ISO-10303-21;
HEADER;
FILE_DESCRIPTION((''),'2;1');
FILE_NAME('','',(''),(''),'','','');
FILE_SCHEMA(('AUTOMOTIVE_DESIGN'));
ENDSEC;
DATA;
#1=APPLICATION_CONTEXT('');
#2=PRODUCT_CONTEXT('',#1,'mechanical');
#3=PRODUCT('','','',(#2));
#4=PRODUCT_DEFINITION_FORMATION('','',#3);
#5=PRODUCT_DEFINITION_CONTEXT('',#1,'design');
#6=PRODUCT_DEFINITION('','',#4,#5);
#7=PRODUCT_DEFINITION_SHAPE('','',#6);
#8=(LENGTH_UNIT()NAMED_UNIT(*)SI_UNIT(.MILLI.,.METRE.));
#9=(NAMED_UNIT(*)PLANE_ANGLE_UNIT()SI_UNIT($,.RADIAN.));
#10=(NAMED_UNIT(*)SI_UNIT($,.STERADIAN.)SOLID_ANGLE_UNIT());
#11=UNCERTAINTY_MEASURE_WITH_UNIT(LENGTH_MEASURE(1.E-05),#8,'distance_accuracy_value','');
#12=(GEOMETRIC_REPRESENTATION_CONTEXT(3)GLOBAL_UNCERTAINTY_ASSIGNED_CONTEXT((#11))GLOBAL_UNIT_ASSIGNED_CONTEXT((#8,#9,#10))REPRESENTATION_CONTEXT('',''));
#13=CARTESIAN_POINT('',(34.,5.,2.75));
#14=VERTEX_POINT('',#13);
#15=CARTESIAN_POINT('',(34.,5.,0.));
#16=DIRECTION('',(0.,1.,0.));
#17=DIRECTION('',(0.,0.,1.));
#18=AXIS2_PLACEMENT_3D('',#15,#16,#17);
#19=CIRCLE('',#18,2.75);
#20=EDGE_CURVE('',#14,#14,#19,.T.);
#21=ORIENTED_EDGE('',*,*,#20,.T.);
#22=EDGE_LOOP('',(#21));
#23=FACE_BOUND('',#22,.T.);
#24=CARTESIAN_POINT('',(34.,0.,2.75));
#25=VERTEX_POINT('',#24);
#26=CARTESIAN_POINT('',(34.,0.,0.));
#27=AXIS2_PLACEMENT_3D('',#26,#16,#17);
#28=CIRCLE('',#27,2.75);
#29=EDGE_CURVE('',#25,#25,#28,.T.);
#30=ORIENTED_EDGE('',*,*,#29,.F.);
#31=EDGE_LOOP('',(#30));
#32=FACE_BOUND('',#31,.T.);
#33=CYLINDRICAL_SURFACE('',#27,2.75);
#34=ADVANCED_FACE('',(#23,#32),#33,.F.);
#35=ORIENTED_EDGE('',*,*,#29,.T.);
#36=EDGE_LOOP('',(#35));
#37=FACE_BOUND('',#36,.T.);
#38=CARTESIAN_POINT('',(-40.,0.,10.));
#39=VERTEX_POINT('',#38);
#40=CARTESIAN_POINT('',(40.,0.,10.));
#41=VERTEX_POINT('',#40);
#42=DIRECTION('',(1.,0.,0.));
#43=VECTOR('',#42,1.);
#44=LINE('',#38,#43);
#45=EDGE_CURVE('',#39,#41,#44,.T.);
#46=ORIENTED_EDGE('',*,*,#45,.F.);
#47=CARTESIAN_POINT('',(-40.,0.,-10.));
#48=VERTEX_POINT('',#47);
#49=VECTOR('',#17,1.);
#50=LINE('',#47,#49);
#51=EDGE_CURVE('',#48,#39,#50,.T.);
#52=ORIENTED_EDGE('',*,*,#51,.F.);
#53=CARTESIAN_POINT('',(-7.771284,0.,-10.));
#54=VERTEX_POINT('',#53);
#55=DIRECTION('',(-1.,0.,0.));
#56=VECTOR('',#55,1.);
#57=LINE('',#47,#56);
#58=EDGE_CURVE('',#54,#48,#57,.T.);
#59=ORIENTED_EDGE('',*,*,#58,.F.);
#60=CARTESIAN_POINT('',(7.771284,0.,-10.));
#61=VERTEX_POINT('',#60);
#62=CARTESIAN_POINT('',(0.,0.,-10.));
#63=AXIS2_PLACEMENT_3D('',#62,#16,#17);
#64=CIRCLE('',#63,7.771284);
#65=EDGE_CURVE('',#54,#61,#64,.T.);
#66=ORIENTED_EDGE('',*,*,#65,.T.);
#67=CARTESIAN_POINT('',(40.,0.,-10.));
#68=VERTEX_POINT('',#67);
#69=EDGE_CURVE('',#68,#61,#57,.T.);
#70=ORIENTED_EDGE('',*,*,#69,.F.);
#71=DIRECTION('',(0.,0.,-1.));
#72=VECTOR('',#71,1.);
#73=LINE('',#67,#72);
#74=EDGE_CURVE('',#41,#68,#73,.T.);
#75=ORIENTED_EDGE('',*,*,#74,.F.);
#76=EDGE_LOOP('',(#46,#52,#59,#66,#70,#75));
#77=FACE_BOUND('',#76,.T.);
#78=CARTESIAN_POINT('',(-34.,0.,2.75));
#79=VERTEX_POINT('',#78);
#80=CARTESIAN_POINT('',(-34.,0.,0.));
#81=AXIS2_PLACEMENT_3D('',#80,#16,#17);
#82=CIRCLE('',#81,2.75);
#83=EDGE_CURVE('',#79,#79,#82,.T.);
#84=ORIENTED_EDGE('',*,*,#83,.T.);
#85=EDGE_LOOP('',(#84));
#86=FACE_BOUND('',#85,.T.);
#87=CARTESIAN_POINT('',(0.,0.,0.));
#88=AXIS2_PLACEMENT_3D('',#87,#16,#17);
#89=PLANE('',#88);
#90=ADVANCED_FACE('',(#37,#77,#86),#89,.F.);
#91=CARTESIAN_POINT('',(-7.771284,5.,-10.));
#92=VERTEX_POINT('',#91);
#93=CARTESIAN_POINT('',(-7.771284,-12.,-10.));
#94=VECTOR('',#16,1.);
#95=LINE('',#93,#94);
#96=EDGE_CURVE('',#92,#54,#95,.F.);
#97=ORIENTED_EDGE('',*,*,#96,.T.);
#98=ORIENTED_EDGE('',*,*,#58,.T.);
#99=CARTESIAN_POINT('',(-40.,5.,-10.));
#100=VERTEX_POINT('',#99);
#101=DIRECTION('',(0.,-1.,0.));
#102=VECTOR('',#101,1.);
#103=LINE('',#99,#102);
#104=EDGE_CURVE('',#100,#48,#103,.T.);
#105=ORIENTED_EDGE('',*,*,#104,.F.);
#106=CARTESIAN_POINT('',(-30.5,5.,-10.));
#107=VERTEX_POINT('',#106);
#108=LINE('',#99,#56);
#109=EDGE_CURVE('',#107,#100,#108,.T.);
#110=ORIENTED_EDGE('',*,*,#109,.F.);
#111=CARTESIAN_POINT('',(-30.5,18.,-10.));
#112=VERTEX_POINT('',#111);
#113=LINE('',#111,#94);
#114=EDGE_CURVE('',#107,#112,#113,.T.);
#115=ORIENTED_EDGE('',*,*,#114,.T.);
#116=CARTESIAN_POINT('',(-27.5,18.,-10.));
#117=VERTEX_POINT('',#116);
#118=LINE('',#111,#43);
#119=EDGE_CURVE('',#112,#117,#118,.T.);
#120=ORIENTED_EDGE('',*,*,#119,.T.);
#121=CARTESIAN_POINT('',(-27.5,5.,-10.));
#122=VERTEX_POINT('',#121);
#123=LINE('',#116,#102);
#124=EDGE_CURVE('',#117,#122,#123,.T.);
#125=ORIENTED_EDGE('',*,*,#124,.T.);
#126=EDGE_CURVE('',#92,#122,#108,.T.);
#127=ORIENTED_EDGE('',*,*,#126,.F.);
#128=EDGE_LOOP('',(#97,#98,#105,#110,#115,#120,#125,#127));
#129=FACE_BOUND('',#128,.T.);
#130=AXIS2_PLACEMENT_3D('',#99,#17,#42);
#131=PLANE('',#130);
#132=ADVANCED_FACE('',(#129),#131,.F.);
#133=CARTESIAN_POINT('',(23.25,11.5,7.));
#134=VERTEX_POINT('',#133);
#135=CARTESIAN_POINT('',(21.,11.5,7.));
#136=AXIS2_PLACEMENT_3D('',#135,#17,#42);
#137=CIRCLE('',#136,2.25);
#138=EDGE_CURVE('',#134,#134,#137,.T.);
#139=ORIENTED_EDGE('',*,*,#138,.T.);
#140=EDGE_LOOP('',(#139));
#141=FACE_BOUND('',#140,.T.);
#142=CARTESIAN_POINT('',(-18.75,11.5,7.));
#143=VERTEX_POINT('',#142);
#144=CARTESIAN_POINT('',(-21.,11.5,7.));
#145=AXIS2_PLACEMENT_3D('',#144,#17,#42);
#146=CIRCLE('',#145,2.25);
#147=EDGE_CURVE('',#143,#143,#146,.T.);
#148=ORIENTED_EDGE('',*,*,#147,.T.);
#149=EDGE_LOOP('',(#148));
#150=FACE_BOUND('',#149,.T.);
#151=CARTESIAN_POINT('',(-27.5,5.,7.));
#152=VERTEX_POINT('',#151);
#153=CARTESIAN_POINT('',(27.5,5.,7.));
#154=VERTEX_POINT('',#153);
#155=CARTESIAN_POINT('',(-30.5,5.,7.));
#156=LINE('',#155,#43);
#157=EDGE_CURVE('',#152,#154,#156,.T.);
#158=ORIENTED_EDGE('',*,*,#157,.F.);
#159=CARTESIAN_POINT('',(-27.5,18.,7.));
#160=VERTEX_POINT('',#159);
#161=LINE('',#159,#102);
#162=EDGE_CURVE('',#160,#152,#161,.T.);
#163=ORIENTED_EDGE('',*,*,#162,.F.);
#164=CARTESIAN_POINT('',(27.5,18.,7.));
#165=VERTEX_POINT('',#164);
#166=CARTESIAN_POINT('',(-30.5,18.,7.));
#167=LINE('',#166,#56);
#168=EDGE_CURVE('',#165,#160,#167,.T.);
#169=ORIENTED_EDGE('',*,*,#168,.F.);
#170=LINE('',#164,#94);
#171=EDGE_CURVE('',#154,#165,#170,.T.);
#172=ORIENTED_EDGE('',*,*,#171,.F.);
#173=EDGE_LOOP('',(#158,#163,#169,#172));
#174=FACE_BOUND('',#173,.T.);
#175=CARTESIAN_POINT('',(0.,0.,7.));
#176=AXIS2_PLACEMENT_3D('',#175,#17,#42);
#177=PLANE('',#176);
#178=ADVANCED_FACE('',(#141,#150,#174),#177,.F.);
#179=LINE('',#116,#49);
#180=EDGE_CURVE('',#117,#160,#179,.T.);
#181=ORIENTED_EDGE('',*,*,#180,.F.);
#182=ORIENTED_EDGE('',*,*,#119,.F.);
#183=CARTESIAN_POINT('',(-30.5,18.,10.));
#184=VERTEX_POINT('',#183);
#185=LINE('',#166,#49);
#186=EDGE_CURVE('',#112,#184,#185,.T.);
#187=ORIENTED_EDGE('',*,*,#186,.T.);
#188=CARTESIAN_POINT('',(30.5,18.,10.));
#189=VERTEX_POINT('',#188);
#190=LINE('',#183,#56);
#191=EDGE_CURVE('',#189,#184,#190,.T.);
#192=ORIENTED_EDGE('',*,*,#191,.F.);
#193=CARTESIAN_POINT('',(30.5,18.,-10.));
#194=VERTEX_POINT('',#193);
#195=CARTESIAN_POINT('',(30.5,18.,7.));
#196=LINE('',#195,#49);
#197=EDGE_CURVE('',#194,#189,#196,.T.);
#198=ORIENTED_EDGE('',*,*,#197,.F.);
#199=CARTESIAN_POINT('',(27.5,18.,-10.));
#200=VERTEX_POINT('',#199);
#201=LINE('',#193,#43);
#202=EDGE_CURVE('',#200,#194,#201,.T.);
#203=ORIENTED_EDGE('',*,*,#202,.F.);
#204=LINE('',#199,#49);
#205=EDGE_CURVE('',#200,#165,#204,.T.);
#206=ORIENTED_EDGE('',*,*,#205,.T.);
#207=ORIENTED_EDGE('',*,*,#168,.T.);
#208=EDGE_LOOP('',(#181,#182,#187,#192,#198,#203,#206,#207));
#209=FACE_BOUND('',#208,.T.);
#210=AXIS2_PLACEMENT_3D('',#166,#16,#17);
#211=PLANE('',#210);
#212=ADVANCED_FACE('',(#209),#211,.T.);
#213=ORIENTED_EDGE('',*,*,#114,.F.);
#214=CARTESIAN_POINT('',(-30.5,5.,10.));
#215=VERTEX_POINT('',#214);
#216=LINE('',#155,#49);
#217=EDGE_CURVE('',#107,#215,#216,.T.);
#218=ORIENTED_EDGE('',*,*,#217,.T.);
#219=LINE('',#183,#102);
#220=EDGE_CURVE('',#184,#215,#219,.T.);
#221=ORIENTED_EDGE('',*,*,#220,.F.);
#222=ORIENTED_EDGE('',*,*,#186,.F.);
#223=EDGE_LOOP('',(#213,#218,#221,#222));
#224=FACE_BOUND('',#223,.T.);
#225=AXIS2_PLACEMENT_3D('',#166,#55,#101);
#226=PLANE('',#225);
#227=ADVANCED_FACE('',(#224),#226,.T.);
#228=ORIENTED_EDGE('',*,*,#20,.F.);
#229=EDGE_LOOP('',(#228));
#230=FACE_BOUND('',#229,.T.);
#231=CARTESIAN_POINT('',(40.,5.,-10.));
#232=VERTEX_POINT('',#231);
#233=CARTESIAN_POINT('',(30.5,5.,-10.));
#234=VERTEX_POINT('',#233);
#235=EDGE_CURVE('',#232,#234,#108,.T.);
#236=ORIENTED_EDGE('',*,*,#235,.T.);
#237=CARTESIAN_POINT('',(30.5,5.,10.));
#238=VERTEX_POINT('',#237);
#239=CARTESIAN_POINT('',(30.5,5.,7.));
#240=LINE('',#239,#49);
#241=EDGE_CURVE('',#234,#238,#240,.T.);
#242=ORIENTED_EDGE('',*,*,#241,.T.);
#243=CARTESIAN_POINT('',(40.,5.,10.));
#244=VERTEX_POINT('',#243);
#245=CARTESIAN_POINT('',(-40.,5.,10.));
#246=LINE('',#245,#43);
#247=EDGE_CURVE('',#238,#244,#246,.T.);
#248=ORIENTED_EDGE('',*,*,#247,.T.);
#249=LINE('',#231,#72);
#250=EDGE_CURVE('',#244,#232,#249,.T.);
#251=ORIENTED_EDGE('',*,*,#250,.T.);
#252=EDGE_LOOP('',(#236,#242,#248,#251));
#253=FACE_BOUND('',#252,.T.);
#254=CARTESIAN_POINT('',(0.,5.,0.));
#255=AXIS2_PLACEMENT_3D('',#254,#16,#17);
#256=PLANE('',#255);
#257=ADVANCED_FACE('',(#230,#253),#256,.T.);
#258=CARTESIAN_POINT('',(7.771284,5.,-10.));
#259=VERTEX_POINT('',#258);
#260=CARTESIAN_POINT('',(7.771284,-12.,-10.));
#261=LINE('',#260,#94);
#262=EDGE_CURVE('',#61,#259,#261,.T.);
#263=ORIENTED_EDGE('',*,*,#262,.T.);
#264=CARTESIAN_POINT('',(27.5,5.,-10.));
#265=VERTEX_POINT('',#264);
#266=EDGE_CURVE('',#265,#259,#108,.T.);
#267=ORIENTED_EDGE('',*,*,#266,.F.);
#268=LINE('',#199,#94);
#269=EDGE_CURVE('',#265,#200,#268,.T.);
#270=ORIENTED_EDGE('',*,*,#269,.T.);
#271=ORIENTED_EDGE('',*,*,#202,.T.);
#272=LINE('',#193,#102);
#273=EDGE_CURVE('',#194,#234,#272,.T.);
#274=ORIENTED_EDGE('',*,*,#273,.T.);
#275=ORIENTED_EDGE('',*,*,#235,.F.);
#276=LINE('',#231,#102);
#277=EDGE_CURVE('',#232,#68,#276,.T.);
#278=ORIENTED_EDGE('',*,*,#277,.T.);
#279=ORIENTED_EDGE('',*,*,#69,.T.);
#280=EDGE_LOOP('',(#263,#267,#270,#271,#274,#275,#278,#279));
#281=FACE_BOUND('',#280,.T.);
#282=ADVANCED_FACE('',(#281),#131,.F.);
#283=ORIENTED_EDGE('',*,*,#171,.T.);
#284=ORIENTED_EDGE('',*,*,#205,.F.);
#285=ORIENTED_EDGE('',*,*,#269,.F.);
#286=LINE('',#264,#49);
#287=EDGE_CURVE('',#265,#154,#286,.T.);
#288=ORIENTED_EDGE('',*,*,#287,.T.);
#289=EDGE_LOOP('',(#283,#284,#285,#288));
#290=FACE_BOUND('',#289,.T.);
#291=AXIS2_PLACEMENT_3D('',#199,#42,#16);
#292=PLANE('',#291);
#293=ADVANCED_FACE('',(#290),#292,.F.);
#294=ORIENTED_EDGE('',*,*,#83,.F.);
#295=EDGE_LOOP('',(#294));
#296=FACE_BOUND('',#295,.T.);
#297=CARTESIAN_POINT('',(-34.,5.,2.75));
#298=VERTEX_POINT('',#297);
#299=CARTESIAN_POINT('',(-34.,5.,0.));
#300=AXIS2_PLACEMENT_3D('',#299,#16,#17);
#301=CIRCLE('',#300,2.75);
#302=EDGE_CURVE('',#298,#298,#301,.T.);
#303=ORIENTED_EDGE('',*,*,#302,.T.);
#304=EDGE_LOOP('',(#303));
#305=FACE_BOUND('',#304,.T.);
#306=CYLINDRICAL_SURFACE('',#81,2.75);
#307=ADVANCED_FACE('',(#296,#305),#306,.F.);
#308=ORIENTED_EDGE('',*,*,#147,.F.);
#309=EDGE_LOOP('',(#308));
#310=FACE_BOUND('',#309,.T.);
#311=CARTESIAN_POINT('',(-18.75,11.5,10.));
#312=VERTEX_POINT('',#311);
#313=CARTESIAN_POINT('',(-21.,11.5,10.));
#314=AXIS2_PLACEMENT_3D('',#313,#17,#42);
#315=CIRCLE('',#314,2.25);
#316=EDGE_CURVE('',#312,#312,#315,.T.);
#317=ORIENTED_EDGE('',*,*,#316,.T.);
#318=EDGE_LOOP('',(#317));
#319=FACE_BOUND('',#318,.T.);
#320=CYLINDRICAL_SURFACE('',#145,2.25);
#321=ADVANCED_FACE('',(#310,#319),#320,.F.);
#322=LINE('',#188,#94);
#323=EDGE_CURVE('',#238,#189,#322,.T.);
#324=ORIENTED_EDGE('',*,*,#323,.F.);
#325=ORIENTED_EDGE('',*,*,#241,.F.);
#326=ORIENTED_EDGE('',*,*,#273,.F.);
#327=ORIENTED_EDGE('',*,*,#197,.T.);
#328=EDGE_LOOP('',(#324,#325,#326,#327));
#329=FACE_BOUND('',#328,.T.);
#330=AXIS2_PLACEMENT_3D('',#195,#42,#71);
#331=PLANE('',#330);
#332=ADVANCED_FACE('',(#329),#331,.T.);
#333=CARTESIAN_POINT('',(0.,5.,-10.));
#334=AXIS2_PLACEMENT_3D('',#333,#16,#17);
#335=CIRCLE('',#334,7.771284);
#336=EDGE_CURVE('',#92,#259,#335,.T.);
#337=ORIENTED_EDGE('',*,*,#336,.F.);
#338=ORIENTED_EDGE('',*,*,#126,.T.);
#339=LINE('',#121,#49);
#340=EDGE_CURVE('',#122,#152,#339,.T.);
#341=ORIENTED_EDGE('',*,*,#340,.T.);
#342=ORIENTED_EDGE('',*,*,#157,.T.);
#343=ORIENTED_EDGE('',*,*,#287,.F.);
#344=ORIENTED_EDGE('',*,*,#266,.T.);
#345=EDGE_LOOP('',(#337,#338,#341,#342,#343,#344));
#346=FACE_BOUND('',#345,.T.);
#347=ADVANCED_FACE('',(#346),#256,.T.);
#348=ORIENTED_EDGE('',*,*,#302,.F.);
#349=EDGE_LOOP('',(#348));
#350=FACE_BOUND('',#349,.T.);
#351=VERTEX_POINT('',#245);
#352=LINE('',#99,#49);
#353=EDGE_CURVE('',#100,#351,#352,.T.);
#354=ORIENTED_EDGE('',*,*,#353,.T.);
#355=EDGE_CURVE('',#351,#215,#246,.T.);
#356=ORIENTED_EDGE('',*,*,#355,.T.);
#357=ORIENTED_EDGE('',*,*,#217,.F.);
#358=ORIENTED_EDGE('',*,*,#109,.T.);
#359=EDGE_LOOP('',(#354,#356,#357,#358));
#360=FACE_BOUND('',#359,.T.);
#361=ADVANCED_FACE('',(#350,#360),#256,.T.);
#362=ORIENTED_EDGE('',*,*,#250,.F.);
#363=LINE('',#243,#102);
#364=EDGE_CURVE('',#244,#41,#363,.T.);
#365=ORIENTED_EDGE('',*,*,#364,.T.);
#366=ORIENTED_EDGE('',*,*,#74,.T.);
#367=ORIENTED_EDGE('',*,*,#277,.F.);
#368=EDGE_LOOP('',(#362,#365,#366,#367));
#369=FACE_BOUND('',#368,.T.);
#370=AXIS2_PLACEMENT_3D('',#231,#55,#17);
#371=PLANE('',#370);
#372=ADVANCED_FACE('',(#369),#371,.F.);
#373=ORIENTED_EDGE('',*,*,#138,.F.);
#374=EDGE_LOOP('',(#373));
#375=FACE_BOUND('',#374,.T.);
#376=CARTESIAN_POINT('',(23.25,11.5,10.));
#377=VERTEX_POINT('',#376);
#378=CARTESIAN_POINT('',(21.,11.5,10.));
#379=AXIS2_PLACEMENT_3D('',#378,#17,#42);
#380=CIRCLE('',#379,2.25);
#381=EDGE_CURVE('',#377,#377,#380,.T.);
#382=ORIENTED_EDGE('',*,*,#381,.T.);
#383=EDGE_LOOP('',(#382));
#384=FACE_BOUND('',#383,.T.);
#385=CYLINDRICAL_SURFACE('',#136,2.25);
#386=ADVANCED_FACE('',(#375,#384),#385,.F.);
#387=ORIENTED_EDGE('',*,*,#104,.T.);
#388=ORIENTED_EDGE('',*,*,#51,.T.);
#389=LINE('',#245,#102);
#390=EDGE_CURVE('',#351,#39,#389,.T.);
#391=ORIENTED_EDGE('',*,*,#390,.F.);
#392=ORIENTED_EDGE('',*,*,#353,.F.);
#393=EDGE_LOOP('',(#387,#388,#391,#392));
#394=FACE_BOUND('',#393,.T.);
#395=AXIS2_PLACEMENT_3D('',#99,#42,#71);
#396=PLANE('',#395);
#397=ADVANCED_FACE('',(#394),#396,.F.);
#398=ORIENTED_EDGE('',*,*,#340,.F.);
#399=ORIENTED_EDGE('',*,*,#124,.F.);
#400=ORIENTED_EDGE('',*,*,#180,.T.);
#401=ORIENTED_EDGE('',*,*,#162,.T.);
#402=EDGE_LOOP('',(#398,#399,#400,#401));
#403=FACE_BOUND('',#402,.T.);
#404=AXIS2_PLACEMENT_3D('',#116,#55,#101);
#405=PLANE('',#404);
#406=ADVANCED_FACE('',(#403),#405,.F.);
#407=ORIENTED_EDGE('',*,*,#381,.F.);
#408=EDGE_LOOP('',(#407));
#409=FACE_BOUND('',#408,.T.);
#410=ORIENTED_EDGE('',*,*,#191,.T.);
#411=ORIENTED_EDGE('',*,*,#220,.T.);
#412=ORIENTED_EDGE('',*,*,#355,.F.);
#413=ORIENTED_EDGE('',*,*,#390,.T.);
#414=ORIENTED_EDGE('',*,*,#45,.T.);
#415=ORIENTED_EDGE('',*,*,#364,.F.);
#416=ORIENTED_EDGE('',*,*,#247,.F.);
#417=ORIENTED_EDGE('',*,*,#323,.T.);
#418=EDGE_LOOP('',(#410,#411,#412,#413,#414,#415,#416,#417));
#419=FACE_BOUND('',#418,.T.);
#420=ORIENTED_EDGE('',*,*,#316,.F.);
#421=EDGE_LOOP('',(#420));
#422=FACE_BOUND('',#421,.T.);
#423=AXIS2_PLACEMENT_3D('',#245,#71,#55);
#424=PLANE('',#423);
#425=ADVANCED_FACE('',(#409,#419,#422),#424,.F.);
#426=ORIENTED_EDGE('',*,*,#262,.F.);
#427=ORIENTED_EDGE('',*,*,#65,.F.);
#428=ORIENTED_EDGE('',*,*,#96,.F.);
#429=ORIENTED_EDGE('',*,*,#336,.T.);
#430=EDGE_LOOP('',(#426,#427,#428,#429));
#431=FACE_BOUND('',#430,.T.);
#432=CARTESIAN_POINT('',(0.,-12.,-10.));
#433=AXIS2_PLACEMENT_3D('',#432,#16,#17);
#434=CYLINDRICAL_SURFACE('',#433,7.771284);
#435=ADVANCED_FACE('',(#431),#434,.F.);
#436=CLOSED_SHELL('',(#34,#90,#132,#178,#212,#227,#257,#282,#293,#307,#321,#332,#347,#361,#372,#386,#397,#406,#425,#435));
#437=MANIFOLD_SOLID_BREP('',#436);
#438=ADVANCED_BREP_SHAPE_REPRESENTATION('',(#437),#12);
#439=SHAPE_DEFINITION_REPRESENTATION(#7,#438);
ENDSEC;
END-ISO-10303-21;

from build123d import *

# Parameters (mm, degrees)
SKETCH1_W           = 80
SKETCH1_H           = 20
BOSS_EXTRUDE1_DEPTH = 5
SKETCH2_R           = 2.75
CUT_EXTRUDE1_DEPTH  = 5
SKETCH3_W           = 61
SKETCH3_H           = 13
SKETCH3_R           = 2.25
BOSS_EXTRUDE2_DEPTH = 3
SKETCH4_W           = 3
SKETCH4_H           = 13
BOSS_EXTRUDE3_DEPTH = 17
SKETCH5_R           = 7.771284408
CUT_EXTRUDE2_DEPTH  = 17


with BuildPart() as part:
    # Sketch1 → Boss-Extrude1 (new body)
    with BuildSketch(Plane(origin=(0, 0, 0), x_dir=(1, 0, 0), z_dir=(0, 1, 0))):
        Rectangle(SKETCH1_W, SKETCH1_H)
    extrude(amount=BOSS_EXTRUDE1_DEPTH)

    # Sketch2 → Cut-Extrude1 (cut)
    with BuildSketch(Plane(origin=(0, 5, 0), x_dir=(1, 0, 0), z_dir=(0, 1, 0))):
        with Locations((-34, 0)):
            Circle(SKETCH2_R)
        with Locations((34, 0)):
            Circle(SKETCH2_R)
    extrude(amount=-CUT_EXTRUDE1_DEPTH, mode=Mode.SUBTRACT)

    # Sketch3 → Boss-Extrude2 (add)
    with BuildSketch(Plane.XY.offset(10)):
        with Locations((0, 11.5)):
            Rectangle(SKETCH3_W, SKETCH3_H)
        with Locations((-21, 11.5)):
            Circle(SKETCH3_R, mode=Mode.SUBTRACT)
        with Locations((21, 11.5)):
            Circle(SKETCH3_R, mode=Mode.SUBTRACT)
    extrude(amount=-BOSS_EXTRUDE2_DEPTH)

    # Sketch4 → Boss-Extrude3 (add)
    with BuildSketch(Plane(origin=(0, 0, 7), x_dir=(-1, 0, 0), z_dir=(0, 0, -1))):
        with Locations((-29, 11.5)):
            Rectangle(SKETCH4_W, SKETCH4_H)
        with Locations((29, 11.5)):
            Rectangle(SKETCH4_W, SKETCH4_H)
    extrude(amount=BOSS_EXTRUDE3_DEPTH)

    # Sketch5 → Cut-Extrude2 (cut)
    with BuildSketch(Plane(origin=(0, 5, 0), x_dir=(1, 0, 0), z_dir=(0, 1, 0))):
        with Locations((0, 10)):
            Circle(SKETCH5_R)
    extrude(amount=-CUT_EXTRUDE2_DEPTH, mode=Mode.SUBTRACT)


solid = part.part
